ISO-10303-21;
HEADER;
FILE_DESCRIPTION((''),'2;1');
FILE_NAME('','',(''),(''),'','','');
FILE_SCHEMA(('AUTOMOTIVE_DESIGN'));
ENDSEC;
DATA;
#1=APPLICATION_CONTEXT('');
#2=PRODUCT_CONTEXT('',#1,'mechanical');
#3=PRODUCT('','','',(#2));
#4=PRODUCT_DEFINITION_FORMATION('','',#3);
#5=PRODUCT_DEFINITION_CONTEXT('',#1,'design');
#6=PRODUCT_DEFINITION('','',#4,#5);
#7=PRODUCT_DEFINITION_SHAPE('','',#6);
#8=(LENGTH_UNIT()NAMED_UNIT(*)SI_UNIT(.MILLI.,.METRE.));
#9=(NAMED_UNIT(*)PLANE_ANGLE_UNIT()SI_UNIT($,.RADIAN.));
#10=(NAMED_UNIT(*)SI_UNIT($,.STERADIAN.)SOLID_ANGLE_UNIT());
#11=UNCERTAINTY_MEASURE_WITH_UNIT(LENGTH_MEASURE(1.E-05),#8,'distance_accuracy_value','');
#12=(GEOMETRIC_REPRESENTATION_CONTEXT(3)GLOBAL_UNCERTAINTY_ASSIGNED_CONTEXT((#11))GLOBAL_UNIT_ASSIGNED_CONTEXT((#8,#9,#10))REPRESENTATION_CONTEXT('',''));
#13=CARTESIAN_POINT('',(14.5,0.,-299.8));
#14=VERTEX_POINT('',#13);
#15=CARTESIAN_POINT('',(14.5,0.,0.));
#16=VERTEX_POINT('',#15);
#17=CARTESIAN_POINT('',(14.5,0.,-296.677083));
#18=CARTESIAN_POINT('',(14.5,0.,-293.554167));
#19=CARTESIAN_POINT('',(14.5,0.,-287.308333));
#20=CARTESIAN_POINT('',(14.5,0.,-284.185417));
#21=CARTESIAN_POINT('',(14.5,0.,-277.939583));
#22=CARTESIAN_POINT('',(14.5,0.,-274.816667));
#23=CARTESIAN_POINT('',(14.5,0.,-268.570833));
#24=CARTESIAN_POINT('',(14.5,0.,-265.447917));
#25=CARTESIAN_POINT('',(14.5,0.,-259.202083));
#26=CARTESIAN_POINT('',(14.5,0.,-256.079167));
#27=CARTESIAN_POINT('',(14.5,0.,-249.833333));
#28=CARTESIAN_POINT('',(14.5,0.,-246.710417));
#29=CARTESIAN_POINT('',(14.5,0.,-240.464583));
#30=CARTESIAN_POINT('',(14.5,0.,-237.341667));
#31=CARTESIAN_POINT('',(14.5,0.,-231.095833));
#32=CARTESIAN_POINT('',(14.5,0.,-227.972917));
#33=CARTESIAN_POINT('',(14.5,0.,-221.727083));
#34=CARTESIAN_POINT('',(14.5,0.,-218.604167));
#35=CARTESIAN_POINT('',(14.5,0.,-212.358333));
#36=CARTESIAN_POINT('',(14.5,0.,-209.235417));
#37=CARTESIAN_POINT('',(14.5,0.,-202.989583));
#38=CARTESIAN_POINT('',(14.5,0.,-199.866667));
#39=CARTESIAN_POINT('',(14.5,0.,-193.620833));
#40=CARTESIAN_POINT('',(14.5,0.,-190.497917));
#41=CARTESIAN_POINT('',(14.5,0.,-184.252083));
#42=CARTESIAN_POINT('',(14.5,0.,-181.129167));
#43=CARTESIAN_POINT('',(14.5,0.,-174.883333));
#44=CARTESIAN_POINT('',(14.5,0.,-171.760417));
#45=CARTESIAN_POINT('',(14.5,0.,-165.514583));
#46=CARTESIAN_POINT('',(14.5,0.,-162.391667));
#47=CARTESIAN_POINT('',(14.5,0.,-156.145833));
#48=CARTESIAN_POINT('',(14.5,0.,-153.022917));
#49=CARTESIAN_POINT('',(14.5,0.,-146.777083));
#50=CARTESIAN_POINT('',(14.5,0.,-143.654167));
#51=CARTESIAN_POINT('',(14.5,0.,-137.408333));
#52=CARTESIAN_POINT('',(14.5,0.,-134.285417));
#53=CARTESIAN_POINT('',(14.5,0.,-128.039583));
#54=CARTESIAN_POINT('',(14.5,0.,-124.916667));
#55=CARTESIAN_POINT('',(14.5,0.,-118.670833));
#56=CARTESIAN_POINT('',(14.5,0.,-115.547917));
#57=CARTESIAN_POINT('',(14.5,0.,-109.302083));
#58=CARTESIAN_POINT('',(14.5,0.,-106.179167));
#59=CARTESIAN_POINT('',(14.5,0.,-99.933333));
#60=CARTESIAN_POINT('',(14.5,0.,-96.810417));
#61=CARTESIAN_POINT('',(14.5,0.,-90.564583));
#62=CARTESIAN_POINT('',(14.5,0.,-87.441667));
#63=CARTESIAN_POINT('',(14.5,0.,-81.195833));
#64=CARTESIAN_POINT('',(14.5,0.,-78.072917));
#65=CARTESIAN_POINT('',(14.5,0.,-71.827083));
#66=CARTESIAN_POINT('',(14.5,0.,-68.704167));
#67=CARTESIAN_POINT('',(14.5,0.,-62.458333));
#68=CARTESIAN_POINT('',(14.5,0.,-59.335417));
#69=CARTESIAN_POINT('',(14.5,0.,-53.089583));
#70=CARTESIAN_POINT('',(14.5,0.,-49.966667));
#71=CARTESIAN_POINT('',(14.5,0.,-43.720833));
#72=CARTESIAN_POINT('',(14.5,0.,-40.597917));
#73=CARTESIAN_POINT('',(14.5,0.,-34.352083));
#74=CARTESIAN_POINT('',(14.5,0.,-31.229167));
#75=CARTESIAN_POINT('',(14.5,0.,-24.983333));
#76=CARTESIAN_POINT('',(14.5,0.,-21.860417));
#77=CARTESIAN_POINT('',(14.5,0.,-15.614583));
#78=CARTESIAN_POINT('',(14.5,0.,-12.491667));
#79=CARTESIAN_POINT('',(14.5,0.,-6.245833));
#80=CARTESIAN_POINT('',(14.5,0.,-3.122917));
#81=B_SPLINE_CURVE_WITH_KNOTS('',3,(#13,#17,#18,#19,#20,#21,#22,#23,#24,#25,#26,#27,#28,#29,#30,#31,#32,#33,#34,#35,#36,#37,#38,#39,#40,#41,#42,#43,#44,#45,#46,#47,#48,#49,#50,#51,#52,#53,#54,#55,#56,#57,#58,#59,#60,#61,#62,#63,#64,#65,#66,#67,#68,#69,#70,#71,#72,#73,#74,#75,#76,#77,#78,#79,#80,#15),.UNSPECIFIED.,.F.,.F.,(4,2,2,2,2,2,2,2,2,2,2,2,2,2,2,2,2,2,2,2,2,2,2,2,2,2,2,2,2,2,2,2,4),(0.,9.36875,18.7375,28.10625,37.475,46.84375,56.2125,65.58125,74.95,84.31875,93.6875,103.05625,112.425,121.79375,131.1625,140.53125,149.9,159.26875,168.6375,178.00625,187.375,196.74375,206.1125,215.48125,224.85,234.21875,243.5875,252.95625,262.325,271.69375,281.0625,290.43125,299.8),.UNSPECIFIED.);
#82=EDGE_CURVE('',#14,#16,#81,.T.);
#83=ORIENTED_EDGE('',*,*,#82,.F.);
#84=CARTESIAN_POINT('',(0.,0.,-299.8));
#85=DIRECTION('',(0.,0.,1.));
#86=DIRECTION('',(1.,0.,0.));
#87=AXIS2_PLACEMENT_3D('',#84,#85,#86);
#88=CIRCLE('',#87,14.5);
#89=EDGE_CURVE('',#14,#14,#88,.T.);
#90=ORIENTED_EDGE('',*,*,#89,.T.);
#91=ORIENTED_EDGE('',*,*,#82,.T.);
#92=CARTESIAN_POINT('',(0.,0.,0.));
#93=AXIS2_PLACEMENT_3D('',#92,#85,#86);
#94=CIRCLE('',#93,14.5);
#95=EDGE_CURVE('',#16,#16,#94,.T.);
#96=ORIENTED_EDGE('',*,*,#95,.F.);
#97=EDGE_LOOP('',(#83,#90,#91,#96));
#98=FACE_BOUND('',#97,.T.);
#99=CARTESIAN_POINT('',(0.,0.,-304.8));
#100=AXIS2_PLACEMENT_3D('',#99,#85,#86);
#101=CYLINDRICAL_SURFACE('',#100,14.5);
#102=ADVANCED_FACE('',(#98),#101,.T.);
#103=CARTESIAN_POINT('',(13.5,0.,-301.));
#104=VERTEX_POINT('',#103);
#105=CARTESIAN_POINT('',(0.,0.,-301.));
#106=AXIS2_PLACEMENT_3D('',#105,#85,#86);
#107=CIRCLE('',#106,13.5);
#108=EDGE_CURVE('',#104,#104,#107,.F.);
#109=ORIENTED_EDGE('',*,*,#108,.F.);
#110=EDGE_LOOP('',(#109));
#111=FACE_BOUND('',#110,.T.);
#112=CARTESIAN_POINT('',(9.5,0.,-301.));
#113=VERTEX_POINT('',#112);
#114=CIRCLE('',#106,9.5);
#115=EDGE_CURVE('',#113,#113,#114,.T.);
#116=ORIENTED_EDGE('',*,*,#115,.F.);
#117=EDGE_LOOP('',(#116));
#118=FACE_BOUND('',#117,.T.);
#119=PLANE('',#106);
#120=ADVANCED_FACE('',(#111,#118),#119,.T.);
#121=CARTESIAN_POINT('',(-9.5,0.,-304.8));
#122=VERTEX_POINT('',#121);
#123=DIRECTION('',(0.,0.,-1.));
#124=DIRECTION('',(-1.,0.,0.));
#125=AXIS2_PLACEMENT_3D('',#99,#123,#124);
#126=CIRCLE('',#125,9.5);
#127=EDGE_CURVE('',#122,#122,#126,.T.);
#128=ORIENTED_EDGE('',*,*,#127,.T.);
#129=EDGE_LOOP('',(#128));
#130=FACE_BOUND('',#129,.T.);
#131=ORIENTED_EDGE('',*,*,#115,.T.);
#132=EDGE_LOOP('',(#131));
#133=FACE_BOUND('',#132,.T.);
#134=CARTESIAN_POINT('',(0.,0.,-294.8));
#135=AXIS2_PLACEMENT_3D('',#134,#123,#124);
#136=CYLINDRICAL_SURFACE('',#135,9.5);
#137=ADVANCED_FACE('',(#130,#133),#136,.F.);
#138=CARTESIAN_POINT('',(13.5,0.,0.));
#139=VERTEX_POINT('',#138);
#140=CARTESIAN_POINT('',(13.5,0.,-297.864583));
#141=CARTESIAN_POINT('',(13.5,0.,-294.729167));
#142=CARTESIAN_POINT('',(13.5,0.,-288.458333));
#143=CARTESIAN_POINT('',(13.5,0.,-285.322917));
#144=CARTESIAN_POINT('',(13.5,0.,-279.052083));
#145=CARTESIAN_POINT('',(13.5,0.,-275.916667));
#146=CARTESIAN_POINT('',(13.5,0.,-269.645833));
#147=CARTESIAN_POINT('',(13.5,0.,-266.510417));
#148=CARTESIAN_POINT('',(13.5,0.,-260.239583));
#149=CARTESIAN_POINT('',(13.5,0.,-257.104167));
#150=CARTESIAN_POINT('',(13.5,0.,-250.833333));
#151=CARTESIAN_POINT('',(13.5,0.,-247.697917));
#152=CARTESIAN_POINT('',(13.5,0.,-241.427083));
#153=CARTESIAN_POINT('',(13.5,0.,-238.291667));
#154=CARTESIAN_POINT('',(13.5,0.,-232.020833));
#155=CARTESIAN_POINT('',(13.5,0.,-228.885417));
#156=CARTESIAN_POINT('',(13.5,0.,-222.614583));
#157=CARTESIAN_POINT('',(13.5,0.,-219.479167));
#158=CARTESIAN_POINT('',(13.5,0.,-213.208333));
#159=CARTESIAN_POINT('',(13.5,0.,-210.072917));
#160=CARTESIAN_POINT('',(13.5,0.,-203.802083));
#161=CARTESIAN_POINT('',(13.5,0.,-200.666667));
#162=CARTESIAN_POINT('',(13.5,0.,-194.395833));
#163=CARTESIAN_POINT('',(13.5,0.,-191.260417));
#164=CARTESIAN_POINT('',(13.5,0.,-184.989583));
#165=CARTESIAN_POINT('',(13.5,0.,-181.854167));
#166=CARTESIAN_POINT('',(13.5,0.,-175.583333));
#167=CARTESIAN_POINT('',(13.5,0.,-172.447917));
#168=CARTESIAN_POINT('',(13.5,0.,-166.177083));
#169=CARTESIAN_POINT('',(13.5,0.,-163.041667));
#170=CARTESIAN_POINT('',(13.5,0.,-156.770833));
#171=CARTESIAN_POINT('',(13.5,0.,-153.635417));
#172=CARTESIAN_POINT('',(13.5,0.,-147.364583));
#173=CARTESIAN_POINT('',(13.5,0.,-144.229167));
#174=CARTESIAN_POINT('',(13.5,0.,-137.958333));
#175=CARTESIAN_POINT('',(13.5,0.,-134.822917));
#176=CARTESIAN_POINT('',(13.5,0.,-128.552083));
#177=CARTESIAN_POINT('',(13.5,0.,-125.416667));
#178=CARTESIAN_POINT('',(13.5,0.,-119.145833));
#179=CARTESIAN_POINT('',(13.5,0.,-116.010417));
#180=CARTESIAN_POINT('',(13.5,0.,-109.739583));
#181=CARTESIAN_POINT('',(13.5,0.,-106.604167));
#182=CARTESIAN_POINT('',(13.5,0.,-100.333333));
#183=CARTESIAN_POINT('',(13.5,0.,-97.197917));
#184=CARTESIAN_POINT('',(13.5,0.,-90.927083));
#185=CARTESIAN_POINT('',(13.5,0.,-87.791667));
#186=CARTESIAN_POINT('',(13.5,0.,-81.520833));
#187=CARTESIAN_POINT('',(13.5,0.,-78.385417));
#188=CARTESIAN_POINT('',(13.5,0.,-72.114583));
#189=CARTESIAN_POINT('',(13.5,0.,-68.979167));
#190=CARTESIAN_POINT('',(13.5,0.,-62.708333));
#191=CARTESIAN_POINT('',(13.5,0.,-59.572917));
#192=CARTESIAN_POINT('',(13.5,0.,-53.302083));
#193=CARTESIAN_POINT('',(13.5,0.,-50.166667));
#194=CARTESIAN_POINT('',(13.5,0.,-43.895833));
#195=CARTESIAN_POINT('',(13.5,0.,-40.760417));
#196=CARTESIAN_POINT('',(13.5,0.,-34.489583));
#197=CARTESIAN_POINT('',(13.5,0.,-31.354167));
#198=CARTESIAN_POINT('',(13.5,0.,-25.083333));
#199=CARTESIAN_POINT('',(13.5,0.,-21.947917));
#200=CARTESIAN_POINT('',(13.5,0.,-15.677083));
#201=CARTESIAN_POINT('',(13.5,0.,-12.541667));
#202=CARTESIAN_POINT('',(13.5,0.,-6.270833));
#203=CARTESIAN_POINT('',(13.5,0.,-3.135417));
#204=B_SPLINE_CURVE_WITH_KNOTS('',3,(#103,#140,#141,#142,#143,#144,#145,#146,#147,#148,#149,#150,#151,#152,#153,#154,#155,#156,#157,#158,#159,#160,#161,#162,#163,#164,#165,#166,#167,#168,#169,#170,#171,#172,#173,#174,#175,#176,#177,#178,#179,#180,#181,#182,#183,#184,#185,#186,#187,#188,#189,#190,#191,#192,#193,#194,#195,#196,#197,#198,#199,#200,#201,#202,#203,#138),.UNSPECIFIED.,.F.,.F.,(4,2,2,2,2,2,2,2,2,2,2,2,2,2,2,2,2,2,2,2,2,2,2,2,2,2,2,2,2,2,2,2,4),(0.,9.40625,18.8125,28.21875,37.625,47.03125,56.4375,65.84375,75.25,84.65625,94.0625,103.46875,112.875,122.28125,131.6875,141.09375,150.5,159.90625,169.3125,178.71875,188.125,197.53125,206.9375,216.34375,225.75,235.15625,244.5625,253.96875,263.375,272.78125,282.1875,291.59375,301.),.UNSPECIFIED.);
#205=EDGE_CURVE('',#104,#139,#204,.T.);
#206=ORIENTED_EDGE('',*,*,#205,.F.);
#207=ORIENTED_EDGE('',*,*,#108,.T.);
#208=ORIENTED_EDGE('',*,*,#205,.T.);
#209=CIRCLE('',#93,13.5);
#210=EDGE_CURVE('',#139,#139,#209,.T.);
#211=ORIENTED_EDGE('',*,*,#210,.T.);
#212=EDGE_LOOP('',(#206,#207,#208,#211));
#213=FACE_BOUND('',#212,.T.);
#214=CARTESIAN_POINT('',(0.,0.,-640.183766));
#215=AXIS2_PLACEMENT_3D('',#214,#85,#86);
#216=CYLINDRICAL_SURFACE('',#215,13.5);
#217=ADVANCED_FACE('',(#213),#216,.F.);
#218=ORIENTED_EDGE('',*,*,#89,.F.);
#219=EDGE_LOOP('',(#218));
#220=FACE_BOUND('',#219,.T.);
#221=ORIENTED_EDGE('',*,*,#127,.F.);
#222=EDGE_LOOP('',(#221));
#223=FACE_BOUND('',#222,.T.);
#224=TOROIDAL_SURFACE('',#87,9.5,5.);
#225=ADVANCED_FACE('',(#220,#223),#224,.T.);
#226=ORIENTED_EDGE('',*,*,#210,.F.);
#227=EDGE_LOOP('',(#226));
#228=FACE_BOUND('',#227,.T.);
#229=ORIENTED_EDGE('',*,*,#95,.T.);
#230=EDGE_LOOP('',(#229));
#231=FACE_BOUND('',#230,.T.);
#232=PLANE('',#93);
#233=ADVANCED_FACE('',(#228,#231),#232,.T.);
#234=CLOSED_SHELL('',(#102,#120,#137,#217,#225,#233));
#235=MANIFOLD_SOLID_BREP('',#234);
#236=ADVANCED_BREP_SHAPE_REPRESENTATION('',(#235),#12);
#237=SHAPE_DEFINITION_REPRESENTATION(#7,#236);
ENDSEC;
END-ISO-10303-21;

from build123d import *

# Parameters (mm, degrees)
SKETCH1_R           = 14.5
BOSS_EXTRUDE1_DEPTH = 304.8
SKETCH2_R           = 13.5
CUT_EXTRUDE1_DEPTH  = 301
FILLET2_R           = 5
SKETCH8_R           = 9.5
CUT_EXTRUDE2_DEPTH  = 10


with BuildPart() as part:
    # Sketch1 → Boss-Extrude1 (new body)
    with BuildSketch(Plane.XY):
        Circle(SKETCH1_R)
    extrude(amount=-BOSS_EXTRUDE1_DEPTH)

    # Sketch2 → Cut-Extrude1 (cut)
    with BuildSketch(Plane.XY):
        Circle(SKETCH2_R)
    extrude(amount=-CUT_EXTRUDE1_DEPTH, mode=Mode.SUBTRACT)

    # Fillet2
    fillet2_edges = [part.edges().sort_by_distance(p)[0] for p in [
        (-14.5, 0, -304.8),
    ]]
    fillet(fillet2_edges, radius=FILLET2_R)

    # Sketch8 → Cut-Extrude2 (cut)
    with BuildSketch(Plane(origin=(0, 0, -304.8), x_dir=(-1, 0, 0), z_dir=(0, 0, -1))):
        with Locations(Location((0, 0, 0), (0, 0, 180))):
            Circle(SKETCH8_R)
    extrude(amount=-CUT_EXTRUDE2_DEPTH, mode=Mode.SUBTRACT)


solid = part.part
